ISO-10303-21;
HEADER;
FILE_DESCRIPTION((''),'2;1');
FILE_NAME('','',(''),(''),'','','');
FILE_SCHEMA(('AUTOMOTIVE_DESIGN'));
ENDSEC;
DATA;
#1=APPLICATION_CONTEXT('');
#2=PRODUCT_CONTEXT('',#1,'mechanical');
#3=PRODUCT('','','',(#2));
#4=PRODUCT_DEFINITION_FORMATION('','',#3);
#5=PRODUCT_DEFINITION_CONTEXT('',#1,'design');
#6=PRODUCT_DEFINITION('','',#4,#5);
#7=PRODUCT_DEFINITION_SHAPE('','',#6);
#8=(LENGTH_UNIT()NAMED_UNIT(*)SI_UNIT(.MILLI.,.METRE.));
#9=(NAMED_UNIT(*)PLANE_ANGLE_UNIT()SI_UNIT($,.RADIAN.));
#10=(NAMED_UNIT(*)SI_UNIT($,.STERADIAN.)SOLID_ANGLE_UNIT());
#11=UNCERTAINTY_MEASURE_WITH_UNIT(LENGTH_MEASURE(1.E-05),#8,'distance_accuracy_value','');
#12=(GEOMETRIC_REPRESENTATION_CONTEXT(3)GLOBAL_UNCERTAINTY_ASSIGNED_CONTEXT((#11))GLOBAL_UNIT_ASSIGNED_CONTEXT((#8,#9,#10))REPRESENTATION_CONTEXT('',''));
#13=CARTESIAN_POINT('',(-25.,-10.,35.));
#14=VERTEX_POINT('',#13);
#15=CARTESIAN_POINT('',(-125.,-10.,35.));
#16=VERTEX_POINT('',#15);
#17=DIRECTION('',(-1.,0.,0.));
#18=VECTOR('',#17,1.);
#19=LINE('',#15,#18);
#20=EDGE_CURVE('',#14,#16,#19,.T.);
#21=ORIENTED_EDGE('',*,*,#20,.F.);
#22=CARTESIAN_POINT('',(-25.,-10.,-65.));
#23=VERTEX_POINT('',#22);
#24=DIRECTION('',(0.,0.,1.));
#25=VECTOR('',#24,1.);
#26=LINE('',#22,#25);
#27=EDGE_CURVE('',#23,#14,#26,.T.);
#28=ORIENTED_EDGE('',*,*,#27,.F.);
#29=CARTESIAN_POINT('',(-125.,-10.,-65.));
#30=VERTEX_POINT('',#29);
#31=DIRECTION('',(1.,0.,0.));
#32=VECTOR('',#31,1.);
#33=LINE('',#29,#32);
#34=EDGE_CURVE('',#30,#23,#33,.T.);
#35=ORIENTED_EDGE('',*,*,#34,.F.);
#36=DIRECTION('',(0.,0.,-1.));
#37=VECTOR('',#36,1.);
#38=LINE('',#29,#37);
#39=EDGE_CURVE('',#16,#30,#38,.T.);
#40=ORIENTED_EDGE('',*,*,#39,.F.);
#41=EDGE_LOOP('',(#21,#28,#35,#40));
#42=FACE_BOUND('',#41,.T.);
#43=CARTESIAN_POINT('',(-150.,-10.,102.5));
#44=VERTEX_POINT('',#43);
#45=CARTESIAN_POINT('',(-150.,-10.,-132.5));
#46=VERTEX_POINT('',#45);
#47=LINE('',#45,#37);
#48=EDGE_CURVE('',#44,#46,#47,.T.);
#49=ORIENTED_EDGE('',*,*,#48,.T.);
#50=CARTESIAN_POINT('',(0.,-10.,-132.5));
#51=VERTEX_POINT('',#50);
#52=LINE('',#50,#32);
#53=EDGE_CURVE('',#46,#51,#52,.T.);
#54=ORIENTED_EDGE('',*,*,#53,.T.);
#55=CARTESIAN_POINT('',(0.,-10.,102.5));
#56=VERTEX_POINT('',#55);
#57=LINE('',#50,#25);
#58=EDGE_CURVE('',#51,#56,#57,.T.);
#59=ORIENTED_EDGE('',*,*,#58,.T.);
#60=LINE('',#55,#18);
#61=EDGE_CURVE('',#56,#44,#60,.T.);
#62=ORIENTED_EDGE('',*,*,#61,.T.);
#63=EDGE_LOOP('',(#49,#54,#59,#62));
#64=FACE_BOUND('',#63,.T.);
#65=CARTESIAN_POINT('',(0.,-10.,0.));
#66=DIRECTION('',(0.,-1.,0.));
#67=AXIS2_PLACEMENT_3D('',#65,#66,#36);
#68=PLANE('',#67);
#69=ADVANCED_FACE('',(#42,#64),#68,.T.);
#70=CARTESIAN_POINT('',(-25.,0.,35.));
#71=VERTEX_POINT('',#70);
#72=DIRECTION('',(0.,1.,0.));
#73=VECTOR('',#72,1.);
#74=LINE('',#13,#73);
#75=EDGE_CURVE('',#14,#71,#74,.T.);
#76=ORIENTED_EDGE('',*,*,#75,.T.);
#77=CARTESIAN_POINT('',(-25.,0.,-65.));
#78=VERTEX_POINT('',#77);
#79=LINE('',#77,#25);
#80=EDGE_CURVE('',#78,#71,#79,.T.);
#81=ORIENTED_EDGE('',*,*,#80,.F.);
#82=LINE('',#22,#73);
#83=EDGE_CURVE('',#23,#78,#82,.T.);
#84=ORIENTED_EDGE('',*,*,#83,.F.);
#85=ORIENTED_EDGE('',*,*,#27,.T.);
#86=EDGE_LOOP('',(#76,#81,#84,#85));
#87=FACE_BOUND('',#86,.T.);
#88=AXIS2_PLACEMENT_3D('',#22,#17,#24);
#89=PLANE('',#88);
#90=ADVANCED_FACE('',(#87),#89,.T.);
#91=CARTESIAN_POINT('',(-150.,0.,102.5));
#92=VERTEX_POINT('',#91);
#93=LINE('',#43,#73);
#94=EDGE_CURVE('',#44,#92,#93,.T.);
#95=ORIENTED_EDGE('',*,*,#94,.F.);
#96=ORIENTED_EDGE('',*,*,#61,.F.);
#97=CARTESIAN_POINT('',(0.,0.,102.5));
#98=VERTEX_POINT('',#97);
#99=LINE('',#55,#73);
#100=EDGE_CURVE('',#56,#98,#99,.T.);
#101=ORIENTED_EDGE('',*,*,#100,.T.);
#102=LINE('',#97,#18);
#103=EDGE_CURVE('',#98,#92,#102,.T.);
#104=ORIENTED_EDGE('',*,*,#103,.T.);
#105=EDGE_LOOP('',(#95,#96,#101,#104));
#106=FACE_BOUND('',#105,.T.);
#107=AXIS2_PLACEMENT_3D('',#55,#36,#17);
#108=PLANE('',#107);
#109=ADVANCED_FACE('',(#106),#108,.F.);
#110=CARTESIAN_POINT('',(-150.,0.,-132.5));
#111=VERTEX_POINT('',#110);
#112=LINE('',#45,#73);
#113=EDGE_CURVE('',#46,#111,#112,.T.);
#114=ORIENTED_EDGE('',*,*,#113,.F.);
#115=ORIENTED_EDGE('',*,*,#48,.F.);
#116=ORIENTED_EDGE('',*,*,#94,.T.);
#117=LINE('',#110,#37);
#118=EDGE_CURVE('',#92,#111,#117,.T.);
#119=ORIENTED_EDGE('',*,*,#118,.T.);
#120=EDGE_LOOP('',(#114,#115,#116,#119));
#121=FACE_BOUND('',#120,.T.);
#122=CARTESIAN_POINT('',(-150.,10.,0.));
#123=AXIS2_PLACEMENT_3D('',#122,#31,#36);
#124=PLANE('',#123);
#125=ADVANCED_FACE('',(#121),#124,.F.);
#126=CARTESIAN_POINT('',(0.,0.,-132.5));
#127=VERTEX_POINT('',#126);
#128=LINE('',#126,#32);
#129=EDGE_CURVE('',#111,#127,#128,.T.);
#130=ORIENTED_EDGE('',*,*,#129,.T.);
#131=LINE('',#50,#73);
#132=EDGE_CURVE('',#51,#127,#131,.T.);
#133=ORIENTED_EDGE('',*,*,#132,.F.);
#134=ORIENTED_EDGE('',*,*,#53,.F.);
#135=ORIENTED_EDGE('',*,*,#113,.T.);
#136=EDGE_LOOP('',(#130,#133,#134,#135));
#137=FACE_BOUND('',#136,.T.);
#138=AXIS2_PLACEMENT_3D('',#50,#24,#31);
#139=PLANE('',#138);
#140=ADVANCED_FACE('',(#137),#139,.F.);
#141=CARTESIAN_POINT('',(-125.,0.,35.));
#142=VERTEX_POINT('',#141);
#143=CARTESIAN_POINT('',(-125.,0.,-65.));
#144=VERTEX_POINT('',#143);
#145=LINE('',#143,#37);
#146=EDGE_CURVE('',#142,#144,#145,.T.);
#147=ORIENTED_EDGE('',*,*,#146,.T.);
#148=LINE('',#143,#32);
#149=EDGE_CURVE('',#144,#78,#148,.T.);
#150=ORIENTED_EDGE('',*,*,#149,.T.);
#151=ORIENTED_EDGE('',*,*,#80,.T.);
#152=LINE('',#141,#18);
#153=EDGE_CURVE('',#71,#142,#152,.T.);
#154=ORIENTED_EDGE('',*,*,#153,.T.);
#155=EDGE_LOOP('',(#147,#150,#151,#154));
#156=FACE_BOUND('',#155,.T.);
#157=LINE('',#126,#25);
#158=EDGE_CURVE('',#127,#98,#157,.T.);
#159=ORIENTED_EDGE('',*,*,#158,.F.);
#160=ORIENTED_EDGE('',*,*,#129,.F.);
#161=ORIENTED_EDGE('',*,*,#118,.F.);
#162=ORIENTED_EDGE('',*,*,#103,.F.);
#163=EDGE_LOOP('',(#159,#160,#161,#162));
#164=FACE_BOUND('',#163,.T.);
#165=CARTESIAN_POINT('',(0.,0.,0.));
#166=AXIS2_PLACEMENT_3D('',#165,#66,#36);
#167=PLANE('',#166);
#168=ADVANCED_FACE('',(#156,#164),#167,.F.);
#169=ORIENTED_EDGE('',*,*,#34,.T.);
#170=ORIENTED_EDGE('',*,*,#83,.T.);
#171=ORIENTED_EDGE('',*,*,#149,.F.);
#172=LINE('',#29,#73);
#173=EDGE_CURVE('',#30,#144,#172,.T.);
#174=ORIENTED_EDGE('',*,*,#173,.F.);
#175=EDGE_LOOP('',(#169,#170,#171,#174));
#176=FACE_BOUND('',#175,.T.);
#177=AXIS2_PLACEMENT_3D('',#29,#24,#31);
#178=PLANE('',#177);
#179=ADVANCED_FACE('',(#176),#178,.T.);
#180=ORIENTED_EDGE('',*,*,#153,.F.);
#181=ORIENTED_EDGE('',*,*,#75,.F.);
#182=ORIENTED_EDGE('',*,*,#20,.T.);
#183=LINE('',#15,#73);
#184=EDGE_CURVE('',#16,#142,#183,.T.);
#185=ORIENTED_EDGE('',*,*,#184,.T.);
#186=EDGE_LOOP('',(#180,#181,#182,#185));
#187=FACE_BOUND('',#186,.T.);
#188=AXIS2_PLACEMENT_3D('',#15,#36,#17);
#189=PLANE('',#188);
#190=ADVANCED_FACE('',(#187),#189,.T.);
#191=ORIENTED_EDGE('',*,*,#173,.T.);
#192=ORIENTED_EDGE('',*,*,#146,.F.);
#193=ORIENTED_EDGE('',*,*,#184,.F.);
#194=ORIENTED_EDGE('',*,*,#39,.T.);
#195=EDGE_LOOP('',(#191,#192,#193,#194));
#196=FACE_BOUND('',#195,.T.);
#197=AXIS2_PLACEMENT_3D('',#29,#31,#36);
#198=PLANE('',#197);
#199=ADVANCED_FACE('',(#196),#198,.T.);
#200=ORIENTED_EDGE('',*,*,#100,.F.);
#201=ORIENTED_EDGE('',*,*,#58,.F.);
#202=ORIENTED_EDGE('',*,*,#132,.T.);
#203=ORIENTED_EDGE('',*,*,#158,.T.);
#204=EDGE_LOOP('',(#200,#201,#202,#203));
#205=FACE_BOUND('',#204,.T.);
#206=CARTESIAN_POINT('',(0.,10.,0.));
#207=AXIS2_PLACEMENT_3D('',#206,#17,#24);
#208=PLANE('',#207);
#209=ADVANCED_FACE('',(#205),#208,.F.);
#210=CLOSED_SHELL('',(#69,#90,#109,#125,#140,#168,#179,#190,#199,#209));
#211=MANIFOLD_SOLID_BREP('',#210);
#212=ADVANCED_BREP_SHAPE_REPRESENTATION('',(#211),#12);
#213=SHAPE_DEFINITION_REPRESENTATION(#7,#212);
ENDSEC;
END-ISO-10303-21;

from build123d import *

# Parameters (mm, degrees)
SKETCH1_W           = 150
SKETCH1_H           = 30
BOSS_EXTRUDE1_DEPTH = 10
SKETCH9_W           = 150
SKETCH9_H           = 235
SKETCH9_W_2         = 100
SKETCH9_H_2         = 100
BOSS_EXTRUDE3_DEPTH = 10
SKETCH25_W          = 150
SKETCH25_H          = 30
CUT_EXTRUDE2_DEPTH  = 10


with BuildPart() as part:
    # Sketch1 → Boss-Extrude1 (new body)
    with BuildSketch(Plane(origin=(0, 0, 0), x_dir=(1, 0, 0), z_dir=(0, 1, 0))):
        with Locations((-75, 15)):
            Rectangle(SKETCH1_W, SKETCH1_H)
    extrude(amount=BOSS_EXTRUDE1_DEPTH)

    # Sketch9 → Boss-Extrude3 (add)
    with BuildSketch(Plane.XZ):
        with Locations((-75, -15)):
            Rectangle(SKETCH9_W, SKETCH9_H)
        with Locations((-75, -15)):
            Rectangle(SKETCH9_W_2, SKETCH9_H_2, mode=Mode.SUBTRACT)
    extrude(amount=BOSS_EXTRUDE3_DEPTH)

    # Sketch25 → Cut-Extrude2 (cut)
    with BuildSketch(Plane(origin=(0, 0, 0), x_dir=(1, 0, 0), z_dir=(0, 1, 0))):
        with Locations((-75, 15)):
            Rectangle(SKETCH25_W, SKETCH25_H)
    extrude(amount=CUT_EXTRUDE2_DEPTH, mode=Mode.SUBTRACT)


solid = part.part
